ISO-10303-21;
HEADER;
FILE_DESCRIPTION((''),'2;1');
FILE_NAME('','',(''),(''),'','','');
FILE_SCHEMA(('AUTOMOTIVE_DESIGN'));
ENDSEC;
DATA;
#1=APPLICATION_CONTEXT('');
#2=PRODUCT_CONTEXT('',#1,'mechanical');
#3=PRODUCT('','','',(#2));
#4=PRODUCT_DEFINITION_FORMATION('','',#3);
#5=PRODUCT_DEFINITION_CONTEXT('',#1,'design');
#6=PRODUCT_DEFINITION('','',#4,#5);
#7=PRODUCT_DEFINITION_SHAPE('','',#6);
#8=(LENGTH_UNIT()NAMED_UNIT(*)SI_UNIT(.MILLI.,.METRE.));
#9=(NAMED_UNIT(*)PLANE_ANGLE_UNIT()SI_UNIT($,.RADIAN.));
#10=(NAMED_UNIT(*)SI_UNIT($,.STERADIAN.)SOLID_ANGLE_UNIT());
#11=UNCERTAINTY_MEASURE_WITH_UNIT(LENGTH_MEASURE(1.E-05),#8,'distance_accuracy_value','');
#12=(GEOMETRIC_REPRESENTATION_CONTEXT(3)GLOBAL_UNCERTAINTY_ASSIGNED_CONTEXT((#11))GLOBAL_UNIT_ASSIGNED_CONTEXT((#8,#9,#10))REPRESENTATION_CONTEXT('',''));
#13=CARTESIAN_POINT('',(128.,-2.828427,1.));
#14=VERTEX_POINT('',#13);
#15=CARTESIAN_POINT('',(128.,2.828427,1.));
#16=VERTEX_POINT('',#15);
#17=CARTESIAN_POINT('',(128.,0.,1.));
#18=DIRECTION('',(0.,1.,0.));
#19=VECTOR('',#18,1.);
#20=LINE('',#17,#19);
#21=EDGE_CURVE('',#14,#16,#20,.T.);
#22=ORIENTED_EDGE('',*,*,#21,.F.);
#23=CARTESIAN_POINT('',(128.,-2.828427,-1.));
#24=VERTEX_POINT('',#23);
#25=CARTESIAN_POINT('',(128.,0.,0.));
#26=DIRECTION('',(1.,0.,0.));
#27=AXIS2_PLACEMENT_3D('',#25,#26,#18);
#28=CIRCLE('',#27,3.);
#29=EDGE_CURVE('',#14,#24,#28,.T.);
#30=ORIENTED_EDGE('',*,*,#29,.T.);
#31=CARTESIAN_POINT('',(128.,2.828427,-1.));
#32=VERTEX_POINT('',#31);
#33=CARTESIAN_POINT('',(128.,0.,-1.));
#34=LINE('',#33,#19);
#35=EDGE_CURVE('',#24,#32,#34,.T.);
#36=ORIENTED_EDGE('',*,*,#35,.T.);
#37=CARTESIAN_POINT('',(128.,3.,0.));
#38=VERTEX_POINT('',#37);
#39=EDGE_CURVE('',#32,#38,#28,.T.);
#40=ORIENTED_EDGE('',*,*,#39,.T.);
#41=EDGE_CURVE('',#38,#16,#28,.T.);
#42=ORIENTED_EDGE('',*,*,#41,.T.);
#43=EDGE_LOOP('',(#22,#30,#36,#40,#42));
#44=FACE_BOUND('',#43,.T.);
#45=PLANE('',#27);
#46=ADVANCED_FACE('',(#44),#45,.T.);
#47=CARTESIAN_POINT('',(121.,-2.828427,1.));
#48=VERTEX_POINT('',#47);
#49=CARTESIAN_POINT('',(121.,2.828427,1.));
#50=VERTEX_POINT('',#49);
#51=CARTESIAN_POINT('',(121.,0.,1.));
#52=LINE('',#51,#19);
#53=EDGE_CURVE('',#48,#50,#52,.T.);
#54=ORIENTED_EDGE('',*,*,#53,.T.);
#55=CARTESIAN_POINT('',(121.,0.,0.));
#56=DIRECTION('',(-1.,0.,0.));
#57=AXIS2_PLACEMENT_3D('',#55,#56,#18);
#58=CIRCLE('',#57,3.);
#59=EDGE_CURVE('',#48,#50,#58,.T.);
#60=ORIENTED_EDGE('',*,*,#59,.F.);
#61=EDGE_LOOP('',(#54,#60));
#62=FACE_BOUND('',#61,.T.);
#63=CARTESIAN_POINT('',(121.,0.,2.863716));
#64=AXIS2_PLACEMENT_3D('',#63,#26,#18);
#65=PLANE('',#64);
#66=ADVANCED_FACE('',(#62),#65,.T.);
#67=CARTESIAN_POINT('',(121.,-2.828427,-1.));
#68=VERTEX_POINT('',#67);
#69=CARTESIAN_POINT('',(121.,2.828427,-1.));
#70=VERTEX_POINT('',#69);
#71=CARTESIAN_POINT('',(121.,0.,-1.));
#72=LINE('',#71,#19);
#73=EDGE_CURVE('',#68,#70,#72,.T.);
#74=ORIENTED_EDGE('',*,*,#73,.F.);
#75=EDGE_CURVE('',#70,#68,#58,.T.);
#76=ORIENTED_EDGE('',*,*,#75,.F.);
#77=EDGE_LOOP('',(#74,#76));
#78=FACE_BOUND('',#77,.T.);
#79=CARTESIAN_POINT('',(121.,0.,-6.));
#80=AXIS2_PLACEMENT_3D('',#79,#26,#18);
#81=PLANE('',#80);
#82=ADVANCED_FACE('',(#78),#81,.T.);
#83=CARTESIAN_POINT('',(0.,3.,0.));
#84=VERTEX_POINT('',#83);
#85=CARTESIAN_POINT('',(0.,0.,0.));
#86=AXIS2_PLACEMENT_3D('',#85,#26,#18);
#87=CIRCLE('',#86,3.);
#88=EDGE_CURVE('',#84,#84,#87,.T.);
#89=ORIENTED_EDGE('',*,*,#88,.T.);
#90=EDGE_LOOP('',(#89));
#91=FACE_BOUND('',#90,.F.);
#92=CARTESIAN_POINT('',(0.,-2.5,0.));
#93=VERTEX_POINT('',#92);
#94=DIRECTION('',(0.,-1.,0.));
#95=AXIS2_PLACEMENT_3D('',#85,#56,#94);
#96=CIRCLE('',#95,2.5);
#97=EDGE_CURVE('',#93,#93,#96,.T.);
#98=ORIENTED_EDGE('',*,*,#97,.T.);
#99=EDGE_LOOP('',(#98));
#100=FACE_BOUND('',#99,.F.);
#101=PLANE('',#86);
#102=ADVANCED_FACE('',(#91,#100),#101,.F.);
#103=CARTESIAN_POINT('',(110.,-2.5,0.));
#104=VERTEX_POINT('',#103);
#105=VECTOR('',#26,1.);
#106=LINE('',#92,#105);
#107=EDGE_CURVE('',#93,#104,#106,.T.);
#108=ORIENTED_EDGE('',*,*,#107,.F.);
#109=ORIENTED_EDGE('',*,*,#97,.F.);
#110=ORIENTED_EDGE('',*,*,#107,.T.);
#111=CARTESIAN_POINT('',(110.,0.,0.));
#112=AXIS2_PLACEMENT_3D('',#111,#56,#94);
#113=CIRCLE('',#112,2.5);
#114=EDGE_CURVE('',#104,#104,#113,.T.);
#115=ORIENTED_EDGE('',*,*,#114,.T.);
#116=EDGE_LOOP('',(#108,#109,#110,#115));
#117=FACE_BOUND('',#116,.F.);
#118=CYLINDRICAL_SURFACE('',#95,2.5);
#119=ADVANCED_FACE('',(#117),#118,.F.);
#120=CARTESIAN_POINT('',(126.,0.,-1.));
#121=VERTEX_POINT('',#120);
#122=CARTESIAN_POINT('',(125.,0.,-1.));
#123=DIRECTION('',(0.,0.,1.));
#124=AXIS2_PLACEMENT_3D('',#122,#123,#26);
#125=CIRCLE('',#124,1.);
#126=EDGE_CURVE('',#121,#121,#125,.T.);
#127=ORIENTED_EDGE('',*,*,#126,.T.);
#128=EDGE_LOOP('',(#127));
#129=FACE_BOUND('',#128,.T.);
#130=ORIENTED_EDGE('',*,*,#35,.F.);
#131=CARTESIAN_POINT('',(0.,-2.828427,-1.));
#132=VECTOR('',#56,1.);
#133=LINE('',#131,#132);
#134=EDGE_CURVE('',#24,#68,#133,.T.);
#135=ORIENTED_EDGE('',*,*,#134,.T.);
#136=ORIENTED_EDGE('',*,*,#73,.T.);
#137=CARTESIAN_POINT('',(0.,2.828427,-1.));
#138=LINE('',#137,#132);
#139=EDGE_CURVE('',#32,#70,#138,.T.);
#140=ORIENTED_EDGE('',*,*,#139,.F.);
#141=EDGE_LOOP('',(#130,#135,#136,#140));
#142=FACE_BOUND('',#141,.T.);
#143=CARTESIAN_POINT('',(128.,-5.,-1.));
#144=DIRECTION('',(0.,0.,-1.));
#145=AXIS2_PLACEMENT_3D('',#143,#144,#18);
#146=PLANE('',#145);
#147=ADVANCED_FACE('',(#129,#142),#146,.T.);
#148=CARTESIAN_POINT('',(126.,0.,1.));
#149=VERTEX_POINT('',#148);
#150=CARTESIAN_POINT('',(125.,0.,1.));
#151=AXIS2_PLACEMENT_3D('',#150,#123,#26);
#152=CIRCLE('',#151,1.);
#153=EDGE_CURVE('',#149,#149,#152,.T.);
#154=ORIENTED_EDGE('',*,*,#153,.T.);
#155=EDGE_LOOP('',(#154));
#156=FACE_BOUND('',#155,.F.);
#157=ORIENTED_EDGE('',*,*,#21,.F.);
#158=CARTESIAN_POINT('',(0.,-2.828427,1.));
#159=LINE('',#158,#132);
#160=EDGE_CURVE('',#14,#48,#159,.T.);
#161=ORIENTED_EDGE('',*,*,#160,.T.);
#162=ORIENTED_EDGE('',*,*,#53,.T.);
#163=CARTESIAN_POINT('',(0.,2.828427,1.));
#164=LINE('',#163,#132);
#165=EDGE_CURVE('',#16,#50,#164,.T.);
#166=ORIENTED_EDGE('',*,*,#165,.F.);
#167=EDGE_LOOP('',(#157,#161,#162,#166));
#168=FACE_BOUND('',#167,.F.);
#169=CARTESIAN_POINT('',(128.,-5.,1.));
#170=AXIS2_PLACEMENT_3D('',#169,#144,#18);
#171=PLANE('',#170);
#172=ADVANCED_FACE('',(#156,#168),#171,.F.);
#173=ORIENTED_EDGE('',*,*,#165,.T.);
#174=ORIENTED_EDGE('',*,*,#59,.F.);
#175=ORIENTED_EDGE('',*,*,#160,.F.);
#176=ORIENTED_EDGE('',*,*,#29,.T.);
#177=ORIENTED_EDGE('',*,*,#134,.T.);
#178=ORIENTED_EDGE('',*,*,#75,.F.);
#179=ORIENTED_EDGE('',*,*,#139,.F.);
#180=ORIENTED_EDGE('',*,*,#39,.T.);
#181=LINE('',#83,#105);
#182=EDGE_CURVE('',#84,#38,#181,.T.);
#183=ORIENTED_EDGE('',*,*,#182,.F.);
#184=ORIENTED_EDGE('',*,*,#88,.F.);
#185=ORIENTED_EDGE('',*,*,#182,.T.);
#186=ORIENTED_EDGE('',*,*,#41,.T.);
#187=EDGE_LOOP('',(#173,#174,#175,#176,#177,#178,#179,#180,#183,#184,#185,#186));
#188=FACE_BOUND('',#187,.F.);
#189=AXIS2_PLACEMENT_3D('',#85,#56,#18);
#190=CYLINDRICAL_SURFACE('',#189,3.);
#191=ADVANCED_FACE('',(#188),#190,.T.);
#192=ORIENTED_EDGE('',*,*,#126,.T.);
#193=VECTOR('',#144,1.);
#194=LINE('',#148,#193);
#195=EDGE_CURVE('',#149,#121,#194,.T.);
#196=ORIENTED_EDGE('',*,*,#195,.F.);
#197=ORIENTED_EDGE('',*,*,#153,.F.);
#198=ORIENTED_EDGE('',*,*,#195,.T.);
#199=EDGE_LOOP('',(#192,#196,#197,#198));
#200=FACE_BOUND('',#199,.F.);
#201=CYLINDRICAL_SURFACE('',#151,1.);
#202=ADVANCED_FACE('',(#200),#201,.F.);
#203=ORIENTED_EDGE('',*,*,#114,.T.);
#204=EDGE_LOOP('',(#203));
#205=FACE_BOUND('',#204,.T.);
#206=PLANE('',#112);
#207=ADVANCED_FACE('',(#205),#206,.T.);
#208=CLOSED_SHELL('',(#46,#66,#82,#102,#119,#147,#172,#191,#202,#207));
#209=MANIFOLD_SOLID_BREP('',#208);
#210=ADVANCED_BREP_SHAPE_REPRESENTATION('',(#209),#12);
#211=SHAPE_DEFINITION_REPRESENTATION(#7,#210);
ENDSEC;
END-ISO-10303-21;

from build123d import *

# Parameters (mm, degrees)
F0_R     = 3
F1_DEPTH = 128
F2_W     = 10
F2_H     = 3.727433
F3_DEPTH = 7
F4_W     = 10
F4_H     = 10
F5_DEPTH = 7
F6_R     = 1
F7_DEPTH = 10
F8_R     = 2.5
F9_DEPTH = 110


with BuildPart() as f1:
    # F0 (on Right) → F1 (new body)
    with BuildSketch(Plane.YZ):
        Circle(F0_R)
    extrude(amount=F1_DEPTH)

    # F2 (on face) → F3 (cut)
    with BuildSketch(Plane.YZ.offset(128)):
        with Locations((0, 2.863716)):
            Rectangle(F2_W, F2_H)
    extrude(amount=-F3_DEPTH, mode=Mode.SUBTRACT)

    # F4 (on face) → F5 (cut)
    with BuildSketch(Plane.YZ.offset(128)):
        with Locations((0, -6)):
            Rectangle(F4_W, F4_H)
    extrude(amount=-F5_DEPTH, mode=Mode.SUBTRACT)

    # F6 (on face) → F7 (cut)
    with BuildSketch(Plane.XY.offset(1)):
        with Locations((125, 0)):
            Circle(F6_R)
    extrude(amount=-F7_DEPTH, mode=Mode.SUBTRACT)

    # F8 (on face) → F9 (cut)
    with BuildSketch(Plane(origin=(0, 0, 0), x_dir=(0, -1, 0), z_dir=(-1, 0, 0))):
        Circle(F8_R)
    extrude(amount=-F9_DEPTH, mode=Mode.SUBTRACT)


solid = f1.part
